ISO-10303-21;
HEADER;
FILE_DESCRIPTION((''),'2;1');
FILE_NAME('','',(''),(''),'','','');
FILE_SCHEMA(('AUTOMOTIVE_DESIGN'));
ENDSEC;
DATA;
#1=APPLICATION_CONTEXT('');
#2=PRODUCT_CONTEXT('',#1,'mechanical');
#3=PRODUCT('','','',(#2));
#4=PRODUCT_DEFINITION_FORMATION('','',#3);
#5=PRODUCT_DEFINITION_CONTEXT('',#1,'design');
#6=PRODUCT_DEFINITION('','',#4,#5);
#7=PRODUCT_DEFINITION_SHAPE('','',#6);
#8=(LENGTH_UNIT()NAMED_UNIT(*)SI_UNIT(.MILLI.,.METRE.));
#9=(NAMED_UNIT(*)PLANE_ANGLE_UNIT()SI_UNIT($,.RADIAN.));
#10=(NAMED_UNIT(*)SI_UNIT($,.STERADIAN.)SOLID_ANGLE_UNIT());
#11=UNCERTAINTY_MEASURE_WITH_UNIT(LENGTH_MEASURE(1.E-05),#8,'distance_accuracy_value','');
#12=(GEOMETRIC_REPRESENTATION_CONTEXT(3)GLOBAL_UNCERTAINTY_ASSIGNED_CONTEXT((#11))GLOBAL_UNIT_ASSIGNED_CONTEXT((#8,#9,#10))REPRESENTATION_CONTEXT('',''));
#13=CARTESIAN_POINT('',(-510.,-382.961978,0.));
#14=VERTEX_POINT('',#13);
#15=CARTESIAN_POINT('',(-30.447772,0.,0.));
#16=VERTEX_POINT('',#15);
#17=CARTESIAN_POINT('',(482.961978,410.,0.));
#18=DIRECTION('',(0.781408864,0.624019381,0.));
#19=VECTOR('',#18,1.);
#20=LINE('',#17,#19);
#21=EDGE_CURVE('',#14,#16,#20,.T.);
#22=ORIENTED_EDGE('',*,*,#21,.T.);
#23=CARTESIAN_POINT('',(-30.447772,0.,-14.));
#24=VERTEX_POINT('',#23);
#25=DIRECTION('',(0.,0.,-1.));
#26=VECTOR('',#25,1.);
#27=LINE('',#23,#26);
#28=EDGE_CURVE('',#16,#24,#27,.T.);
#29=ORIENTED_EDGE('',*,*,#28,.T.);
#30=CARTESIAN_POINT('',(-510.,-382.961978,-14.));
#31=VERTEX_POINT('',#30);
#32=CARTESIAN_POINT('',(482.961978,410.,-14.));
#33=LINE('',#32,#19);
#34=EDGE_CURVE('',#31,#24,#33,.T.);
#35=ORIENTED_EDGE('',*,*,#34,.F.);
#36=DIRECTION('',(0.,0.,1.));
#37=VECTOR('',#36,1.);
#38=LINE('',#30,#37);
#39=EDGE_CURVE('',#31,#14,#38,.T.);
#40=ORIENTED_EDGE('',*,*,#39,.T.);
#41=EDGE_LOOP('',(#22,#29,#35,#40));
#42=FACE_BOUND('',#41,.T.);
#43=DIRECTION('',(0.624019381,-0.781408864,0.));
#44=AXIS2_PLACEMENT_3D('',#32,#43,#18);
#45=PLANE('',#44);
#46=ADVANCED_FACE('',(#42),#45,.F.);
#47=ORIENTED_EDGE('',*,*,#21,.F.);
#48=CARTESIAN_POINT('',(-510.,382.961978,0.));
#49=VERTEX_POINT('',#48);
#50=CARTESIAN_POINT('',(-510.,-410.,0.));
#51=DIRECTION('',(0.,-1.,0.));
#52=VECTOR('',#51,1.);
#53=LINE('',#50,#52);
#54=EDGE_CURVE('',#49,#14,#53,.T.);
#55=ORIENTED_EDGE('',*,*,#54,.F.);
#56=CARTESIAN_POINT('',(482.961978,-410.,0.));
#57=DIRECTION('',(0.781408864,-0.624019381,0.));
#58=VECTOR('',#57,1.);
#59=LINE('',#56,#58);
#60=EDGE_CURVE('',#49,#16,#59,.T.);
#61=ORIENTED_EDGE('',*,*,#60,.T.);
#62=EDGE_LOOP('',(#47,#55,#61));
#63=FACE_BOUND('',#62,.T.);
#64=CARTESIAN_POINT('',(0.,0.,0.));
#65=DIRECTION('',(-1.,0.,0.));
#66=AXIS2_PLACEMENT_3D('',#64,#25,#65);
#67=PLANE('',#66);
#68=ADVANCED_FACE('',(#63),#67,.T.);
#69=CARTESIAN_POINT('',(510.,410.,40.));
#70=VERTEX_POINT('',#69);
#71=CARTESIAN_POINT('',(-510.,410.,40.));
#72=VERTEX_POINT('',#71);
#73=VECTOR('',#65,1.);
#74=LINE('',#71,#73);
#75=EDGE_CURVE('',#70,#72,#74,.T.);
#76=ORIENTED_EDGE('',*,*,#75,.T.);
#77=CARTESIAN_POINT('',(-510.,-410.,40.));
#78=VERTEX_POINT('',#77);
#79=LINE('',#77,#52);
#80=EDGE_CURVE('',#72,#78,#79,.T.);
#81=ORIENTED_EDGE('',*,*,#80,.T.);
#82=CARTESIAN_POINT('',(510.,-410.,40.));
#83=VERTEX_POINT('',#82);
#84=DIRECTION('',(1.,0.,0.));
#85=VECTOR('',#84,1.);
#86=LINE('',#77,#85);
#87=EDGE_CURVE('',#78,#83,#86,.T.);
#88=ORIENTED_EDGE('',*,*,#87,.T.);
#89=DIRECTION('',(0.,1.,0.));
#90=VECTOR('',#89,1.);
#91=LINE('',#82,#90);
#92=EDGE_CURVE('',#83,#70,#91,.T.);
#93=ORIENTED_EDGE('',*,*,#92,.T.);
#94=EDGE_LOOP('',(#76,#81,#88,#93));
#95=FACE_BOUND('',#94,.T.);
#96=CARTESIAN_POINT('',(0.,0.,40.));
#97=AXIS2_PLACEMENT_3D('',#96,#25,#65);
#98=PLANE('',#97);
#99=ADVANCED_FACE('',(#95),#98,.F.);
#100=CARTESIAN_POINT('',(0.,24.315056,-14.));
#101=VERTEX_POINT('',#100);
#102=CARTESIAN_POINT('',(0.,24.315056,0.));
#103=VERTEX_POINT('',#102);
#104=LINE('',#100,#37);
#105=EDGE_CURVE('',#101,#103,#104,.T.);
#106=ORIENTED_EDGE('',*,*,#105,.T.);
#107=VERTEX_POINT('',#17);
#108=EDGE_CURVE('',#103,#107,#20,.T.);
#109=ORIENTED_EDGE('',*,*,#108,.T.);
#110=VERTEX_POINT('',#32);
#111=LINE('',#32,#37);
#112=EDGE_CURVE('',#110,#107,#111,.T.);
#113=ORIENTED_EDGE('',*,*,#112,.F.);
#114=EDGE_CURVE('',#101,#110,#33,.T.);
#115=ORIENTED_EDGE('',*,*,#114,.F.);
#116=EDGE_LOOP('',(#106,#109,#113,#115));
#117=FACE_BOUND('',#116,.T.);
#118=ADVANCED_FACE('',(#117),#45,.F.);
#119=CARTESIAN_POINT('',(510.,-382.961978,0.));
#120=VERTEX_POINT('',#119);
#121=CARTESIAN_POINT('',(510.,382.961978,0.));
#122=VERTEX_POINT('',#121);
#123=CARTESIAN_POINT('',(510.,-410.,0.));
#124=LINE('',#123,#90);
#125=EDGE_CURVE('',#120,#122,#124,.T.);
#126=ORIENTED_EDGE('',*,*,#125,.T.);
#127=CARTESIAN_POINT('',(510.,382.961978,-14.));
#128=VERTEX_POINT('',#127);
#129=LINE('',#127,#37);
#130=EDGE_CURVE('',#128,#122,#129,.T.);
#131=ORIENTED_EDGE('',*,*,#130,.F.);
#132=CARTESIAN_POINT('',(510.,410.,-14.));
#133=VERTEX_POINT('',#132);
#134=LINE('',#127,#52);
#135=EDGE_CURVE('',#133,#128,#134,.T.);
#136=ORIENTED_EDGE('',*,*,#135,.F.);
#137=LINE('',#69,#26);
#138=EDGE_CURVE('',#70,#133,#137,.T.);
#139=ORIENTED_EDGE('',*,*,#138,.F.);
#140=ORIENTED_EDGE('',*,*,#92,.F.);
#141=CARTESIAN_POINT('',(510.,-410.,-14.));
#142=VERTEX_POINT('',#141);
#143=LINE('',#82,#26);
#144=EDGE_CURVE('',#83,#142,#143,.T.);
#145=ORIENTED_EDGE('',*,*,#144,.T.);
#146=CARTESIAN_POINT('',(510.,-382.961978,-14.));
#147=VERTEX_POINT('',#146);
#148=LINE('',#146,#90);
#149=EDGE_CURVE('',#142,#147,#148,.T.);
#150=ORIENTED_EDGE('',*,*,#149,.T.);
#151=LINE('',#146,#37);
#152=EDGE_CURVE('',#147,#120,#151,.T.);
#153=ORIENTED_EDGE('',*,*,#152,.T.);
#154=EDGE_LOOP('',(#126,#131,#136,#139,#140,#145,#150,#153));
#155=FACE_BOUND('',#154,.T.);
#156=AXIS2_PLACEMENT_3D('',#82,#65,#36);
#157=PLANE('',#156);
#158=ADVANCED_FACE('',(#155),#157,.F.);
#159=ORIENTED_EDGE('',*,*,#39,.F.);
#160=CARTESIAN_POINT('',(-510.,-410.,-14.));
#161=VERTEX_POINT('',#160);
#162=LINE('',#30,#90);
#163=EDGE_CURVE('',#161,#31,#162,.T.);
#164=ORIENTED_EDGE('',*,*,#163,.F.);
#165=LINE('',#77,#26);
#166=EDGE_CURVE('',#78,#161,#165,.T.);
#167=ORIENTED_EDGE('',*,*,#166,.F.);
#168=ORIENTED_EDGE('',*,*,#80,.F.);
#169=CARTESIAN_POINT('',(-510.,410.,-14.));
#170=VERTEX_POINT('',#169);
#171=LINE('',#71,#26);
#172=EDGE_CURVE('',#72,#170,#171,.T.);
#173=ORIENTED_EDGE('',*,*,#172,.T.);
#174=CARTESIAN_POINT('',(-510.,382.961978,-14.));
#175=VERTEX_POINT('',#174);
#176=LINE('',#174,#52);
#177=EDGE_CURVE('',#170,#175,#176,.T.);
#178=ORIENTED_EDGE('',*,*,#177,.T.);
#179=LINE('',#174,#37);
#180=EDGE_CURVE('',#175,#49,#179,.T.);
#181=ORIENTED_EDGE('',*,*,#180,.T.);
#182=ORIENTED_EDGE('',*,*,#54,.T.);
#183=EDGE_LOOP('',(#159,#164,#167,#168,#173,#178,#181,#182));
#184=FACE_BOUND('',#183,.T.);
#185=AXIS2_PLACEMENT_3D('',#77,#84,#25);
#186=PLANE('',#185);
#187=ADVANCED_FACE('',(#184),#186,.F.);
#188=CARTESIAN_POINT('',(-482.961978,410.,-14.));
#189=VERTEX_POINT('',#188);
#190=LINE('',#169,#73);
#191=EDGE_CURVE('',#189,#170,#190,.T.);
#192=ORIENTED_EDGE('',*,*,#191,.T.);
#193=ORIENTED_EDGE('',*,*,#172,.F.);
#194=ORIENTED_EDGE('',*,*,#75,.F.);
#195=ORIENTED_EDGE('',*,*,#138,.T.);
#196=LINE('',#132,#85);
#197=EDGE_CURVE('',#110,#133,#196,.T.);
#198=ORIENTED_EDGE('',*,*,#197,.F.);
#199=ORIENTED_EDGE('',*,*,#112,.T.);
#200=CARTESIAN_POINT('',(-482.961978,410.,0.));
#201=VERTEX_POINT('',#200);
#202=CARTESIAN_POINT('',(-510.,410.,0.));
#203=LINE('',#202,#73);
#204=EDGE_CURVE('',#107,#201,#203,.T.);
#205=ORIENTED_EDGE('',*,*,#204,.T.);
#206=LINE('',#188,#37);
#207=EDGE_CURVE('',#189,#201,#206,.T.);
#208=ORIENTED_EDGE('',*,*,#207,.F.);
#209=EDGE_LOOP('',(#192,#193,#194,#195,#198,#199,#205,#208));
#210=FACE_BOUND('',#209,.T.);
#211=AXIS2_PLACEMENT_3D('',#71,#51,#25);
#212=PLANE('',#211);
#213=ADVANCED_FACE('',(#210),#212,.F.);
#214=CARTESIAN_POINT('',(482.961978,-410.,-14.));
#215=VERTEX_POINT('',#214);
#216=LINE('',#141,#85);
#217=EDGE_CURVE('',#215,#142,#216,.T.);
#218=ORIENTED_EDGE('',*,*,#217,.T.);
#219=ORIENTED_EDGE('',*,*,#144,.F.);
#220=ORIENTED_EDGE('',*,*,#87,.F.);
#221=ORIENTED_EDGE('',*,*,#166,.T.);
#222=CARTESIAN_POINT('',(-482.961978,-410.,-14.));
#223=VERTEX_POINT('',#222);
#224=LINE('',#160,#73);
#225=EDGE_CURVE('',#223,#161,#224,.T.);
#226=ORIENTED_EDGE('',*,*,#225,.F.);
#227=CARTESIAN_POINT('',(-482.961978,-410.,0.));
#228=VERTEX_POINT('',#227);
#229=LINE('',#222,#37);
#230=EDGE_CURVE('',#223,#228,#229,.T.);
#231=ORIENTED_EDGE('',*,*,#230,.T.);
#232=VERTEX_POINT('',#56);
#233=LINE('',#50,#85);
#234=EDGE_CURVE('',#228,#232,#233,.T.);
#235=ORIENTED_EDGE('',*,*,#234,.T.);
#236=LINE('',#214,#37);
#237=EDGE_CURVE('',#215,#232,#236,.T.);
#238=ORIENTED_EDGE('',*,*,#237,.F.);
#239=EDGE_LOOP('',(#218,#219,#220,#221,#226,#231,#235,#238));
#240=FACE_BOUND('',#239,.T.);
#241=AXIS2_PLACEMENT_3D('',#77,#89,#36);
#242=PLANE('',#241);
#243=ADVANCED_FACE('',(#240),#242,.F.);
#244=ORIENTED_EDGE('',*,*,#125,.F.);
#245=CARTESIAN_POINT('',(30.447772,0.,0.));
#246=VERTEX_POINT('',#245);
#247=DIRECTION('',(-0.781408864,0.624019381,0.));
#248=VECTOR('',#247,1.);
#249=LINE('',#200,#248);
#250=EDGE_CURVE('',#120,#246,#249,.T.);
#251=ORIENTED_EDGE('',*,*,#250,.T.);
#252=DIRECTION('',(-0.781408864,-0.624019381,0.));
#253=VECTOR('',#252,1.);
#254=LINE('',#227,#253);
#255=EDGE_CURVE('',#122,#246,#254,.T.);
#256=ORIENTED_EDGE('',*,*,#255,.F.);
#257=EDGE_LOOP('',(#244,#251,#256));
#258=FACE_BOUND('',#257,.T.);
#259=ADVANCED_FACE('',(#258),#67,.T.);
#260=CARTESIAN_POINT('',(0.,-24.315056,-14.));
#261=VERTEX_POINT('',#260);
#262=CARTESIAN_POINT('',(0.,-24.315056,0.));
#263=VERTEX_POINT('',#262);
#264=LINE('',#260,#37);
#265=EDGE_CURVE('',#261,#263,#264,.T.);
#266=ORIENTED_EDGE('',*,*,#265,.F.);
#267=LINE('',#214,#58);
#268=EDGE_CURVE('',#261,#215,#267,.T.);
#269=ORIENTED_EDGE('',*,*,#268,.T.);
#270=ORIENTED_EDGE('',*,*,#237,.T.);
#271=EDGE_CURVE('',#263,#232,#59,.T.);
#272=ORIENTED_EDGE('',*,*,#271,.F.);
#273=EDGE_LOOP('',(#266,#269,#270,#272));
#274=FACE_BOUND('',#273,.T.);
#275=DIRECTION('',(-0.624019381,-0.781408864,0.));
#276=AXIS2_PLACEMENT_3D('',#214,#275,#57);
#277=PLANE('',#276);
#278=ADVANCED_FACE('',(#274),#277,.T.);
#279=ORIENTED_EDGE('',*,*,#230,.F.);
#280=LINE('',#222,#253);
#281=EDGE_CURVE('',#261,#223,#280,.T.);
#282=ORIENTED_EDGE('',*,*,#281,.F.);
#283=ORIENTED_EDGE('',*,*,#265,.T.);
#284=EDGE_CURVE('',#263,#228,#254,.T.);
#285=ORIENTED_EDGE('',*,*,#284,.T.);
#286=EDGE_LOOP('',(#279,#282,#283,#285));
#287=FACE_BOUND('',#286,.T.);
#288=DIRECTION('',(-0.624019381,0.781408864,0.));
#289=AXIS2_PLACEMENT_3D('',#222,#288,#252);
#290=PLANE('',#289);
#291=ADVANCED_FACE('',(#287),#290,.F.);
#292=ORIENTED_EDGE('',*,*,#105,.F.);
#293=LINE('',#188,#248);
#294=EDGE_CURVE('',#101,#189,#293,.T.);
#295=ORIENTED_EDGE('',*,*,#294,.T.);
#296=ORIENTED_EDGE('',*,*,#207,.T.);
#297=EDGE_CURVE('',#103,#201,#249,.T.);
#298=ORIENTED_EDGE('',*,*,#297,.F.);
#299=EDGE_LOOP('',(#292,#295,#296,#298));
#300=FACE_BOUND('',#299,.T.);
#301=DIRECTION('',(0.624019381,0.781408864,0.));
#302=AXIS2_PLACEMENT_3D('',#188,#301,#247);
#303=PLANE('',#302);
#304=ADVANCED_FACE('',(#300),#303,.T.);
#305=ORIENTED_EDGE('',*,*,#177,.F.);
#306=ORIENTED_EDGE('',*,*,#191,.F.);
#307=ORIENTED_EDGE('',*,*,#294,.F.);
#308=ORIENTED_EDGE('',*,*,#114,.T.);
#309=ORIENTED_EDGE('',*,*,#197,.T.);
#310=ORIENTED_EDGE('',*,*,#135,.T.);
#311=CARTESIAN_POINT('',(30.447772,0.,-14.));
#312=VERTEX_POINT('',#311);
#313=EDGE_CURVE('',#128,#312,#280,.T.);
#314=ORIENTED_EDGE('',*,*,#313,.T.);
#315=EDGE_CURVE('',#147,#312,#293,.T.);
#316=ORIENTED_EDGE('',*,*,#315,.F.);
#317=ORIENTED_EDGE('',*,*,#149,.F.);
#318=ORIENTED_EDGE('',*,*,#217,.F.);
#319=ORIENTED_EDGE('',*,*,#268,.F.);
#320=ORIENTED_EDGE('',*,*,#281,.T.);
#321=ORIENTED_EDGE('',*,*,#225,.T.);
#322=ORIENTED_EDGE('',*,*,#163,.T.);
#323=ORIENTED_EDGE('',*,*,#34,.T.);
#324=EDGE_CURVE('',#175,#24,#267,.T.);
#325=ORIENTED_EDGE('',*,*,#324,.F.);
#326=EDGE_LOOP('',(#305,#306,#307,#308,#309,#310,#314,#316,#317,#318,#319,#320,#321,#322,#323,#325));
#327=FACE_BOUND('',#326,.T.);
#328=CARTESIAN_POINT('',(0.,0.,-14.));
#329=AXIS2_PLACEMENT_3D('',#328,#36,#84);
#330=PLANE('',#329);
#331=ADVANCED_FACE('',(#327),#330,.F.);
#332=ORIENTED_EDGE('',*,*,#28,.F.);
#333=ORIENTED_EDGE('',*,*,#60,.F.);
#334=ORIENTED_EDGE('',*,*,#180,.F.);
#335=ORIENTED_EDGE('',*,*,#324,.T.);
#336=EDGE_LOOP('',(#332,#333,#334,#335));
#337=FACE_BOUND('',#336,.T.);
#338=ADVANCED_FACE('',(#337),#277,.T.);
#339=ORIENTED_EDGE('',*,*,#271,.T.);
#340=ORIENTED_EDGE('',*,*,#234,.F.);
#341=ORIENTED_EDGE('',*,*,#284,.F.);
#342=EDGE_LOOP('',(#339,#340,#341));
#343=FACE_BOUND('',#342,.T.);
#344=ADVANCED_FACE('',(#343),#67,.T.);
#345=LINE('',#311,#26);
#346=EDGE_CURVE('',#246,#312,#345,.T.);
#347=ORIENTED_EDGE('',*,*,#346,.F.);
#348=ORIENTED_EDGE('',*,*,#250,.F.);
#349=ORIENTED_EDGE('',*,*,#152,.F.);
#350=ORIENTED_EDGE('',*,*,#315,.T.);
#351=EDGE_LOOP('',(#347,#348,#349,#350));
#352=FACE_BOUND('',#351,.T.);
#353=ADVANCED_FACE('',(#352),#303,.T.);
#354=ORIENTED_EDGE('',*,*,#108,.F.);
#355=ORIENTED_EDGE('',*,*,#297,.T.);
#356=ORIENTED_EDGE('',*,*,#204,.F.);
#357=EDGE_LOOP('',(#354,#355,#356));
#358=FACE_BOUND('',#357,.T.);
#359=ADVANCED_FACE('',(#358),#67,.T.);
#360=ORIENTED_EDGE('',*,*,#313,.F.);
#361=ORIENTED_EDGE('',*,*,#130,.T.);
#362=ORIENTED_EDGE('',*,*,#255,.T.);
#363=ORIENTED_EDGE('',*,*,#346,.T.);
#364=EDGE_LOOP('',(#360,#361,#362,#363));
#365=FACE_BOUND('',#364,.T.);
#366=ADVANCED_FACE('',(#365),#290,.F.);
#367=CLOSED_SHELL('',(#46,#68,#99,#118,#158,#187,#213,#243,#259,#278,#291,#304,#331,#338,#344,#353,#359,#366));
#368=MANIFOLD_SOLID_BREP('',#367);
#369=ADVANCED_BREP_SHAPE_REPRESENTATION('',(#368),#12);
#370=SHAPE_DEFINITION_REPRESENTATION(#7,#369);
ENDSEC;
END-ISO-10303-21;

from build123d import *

# Parameters (mm, degrees)
SKETCH1_W           = 1020
SKETCH1_H           = 820
BOSS_EXTRUDE1_DEPTH = 40
BOSS_EXTRUDE2_DEPTH = 14


with BuildPart() as part:
    # Sketch1 → Boss-Extrude1 (new body)
    with BuildSketch(Plane.XY):
        Rectangle(SKETCH1_W, SKETCH1_H)
    extrude(amount=BOSS_EXTRUDE1_DEPTH)

    # Sketch2 → Boss-Extrude2 (add)
    with BuildSketch(Plane(origin=(0, 0, 0), x_dir=(-1, 0, 0), z_dir=(0, 0, -1))):
        Polygon((-482.961977854, 410), (510, -382.961977854), (510, -410), (482.961977854, -410), (-510, 382.961977854), (-510, 410), align=None)
    boss_extrude2 = extrude(amount=BOSS_EXTRUDE2_DEPTH)

    # Mirror1: Boss-Extrude2 across plane
    add(boss_extrude2.mirror(Plane.ZX))


solid = part.part
